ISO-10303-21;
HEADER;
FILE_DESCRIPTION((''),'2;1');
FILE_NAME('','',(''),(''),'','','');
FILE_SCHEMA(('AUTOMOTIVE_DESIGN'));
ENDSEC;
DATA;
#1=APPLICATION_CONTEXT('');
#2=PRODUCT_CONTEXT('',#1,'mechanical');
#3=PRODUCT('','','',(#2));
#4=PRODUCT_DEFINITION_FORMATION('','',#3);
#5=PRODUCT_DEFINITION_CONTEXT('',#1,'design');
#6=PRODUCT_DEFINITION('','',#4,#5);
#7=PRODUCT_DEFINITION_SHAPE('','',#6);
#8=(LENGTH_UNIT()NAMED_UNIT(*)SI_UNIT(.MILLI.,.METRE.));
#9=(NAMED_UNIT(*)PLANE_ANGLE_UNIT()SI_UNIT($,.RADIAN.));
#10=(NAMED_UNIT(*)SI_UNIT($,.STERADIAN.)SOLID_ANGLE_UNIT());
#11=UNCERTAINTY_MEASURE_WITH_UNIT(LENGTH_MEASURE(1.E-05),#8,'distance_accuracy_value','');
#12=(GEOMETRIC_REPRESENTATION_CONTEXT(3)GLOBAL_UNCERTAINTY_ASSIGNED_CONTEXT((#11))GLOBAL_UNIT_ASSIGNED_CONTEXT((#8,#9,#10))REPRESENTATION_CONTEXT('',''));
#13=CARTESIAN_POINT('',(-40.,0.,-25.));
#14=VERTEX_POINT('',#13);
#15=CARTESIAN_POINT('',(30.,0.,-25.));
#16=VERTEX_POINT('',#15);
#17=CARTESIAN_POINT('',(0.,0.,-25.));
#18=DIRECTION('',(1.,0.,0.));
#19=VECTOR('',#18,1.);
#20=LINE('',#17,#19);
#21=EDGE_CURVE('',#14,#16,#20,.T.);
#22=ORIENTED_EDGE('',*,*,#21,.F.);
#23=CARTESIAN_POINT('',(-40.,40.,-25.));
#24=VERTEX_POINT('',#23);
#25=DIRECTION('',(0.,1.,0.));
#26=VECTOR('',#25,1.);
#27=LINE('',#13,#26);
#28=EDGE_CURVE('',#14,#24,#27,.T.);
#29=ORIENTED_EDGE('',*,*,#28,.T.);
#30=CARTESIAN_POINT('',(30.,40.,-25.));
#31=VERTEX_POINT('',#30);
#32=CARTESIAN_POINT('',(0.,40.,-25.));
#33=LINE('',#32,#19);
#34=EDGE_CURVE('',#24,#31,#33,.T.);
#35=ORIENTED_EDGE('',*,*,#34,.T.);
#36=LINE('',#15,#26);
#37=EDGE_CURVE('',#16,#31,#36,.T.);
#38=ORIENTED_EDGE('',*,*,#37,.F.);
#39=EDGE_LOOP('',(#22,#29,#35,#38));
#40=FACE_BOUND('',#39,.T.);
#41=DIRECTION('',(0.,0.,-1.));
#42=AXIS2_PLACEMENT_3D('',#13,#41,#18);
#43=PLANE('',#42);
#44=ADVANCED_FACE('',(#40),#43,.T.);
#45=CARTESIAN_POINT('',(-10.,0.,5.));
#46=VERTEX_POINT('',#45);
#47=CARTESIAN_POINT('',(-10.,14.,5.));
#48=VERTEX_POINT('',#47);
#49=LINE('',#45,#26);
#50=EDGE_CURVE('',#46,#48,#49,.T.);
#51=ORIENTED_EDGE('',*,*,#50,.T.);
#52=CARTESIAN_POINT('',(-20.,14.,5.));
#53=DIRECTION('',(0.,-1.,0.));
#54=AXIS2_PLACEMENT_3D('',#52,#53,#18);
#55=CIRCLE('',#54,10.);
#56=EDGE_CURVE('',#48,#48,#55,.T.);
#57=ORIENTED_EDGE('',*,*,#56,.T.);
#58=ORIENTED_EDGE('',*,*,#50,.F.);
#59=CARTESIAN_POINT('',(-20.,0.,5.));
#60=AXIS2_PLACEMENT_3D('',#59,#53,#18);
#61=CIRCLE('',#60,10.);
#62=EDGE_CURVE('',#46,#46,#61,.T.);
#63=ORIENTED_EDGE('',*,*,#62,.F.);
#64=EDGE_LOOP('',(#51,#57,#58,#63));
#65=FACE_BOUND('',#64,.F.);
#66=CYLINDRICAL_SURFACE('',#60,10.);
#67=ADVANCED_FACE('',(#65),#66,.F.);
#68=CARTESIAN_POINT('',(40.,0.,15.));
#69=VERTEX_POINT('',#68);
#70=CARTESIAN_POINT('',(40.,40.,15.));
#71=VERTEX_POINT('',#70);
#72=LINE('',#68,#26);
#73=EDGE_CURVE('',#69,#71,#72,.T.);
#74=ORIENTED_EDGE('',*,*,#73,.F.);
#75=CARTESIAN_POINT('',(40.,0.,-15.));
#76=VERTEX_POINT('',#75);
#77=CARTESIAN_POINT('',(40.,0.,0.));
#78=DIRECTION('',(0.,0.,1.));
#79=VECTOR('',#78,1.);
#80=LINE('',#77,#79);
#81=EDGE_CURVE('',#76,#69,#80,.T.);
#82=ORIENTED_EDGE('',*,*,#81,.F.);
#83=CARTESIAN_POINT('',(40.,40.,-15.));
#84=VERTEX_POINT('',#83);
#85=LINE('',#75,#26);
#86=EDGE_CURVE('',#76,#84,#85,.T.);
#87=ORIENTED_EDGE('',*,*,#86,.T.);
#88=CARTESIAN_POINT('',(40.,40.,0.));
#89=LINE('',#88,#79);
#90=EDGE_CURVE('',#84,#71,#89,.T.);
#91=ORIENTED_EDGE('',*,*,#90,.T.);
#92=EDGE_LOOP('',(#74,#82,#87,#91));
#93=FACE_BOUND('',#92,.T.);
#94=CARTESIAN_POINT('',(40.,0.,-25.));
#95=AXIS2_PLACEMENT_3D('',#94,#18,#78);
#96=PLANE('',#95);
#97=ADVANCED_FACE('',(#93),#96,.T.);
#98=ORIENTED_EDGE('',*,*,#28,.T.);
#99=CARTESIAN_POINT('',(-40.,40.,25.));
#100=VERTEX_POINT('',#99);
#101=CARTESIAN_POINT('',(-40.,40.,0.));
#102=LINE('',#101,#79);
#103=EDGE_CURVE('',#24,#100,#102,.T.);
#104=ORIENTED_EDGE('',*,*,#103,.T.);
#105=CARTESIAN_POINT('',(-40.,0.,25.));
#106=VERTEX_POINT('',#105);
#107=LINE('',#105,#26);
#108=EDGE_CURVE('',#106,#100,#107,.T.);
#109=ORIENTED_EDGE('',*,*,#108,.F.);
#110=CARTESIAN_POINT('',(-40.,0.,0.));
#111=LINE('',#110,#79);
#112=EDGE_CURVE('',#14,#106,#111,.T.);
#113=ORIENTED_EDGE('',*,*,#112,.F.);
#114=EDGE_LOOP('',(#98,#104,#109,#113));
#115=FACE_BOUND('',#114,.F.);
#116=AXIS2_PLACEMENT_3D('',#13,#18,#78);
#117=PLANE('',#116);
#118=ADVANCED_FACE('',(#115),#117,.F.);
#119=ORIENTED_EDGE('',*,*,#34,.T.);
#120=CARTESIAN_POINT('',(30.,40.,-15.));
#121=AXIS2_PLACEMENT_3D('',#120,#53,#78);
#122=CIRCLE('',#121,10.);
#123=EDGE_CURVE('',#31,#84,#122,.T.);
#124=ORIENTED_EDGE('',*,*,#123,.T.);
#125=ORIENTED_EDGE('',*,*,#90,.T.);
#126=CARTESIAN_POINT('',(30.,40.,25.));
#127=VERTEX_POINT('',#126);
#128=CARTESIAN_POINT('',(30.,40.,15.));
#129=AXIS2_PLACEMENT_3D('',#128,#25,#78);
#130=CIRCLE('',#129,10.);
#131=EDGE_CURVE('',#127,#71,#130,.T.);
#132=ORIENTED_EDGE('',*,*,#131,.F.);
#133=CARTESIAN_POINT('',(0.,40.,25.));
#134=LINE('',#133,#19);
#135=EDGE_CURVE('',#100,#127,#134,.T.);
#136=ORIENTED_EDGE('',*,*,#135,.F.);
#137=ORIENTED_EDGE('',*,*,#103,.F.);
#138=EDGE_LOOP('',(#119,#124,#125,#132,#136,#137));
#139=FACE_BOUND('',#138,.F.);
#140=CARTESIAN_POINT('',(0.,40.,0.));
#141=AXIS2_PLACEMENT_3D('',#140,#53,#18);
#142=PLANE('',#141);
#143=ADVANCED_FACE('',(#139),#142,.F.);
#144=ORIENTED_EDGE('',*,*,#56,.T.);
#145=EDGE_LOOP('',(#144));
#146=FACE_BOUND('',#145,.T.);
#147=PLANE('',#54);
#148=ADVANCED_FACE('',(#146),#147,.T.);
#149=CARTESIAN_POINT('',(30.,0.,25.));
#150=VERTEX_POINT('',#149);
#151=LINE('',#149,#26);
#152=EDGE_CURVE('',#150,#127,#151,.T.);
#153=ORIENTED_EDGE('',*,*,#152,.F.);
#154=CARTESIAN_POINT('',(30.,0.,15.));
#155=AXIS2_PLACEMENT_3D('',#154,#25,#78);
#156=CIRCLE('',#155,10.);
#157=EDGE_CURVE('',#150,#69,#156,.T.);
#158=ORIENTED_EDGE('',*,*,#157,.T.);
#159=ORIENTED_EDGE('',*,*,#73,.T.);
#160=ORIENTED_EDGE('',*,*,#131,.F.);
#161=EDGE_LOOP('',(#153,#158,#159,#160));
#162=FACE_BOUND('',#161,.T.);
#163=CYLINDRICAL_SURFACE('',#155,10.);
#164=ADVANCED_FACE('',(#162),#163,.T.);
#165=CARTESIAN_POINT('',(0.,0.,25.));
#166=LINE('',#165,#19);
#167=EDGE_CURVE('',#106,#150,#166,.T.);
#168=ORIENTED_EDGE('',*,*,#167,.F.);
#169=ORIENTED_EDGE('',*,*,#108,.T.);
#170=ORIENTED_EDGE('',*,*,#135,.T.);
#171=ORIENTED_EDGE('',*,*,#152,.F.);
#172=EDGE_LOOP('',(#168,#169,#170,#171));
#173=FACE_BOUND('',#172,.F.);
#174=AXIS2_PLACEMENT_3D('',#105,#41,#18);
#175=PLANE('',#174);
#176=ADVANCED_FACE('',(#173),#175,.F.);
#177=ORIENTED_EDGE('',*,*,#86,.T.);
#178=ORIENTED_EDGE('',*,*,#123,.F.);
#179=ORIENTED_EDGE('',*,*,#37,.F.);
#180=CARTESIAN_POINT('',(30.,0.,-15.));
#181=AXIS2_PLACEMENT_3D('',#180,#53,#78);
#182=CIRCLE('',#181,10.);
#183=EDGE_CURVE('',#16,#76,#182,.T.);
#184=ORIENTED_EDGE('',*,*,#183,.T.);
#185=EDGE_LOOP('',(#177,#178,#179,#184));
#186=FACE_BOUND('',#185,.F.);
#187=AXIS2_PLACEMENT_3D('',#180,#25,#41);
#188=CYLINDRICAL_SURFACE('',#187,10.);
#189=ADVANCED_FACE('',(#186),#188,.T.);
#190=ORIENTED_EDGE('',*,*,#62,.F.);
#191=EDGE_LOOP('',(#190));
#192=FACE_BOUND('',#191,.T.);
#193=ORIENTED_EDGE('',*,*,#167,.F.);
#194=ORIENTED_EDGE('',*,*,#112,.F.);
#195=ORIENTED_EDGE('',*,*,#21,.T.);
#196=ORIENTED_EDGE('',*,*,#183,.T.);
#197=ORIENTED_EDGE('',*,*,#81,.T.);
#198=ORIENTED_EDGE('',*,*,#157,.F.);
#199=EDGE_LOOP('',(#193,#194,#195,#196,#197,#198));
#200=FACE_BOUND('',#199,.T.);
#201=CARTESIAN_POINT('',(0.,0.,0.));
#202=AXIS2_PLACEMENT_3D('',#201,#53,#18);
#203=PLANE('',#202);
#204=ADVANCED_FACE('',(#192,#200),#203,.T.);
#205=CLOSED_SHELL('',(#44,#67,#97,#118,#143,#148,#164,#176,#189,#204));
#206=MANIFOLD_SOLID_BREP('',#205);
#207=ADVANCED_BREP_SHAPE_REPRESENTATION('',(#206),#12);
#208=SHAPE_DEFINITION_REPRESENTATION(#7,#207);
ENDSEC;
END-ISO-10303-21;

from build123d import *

# Parameters (mm, degrees)
SKETCH_W     = 80
SKETCH_H     = 50
PAD_DEPTH    = 40
SKETCH001_R  = 10
POCKET_DEPTH = 14
FILLET_R     = 10


with BuildPart() as part:
    # Sketch → Pad (new body)
    with BuildSketch(Plane.XZ):
        Rectangle(SKETCH_W, SKETCH_H)
    extrude(amount=-PAD_DEPTH)

    # Sketch001 → Pocket (cut)
    with BuildSketch(Plane.XZ):
        with Locations((-20, 5)):
            Circle(SKETCH001_R)
    extrude(amount=-POCKET_DEPTH, mode=Mode.SUBTRACT)

    # Fillet
    fillet_edges = [part.edges().sort_by_distance(p)[0] for p in [
        (40, 20, 25),
        (40, 20, -25),
    ]]
    fillet(fillet_edges, radius=FILLET_R)


solid = part.part
